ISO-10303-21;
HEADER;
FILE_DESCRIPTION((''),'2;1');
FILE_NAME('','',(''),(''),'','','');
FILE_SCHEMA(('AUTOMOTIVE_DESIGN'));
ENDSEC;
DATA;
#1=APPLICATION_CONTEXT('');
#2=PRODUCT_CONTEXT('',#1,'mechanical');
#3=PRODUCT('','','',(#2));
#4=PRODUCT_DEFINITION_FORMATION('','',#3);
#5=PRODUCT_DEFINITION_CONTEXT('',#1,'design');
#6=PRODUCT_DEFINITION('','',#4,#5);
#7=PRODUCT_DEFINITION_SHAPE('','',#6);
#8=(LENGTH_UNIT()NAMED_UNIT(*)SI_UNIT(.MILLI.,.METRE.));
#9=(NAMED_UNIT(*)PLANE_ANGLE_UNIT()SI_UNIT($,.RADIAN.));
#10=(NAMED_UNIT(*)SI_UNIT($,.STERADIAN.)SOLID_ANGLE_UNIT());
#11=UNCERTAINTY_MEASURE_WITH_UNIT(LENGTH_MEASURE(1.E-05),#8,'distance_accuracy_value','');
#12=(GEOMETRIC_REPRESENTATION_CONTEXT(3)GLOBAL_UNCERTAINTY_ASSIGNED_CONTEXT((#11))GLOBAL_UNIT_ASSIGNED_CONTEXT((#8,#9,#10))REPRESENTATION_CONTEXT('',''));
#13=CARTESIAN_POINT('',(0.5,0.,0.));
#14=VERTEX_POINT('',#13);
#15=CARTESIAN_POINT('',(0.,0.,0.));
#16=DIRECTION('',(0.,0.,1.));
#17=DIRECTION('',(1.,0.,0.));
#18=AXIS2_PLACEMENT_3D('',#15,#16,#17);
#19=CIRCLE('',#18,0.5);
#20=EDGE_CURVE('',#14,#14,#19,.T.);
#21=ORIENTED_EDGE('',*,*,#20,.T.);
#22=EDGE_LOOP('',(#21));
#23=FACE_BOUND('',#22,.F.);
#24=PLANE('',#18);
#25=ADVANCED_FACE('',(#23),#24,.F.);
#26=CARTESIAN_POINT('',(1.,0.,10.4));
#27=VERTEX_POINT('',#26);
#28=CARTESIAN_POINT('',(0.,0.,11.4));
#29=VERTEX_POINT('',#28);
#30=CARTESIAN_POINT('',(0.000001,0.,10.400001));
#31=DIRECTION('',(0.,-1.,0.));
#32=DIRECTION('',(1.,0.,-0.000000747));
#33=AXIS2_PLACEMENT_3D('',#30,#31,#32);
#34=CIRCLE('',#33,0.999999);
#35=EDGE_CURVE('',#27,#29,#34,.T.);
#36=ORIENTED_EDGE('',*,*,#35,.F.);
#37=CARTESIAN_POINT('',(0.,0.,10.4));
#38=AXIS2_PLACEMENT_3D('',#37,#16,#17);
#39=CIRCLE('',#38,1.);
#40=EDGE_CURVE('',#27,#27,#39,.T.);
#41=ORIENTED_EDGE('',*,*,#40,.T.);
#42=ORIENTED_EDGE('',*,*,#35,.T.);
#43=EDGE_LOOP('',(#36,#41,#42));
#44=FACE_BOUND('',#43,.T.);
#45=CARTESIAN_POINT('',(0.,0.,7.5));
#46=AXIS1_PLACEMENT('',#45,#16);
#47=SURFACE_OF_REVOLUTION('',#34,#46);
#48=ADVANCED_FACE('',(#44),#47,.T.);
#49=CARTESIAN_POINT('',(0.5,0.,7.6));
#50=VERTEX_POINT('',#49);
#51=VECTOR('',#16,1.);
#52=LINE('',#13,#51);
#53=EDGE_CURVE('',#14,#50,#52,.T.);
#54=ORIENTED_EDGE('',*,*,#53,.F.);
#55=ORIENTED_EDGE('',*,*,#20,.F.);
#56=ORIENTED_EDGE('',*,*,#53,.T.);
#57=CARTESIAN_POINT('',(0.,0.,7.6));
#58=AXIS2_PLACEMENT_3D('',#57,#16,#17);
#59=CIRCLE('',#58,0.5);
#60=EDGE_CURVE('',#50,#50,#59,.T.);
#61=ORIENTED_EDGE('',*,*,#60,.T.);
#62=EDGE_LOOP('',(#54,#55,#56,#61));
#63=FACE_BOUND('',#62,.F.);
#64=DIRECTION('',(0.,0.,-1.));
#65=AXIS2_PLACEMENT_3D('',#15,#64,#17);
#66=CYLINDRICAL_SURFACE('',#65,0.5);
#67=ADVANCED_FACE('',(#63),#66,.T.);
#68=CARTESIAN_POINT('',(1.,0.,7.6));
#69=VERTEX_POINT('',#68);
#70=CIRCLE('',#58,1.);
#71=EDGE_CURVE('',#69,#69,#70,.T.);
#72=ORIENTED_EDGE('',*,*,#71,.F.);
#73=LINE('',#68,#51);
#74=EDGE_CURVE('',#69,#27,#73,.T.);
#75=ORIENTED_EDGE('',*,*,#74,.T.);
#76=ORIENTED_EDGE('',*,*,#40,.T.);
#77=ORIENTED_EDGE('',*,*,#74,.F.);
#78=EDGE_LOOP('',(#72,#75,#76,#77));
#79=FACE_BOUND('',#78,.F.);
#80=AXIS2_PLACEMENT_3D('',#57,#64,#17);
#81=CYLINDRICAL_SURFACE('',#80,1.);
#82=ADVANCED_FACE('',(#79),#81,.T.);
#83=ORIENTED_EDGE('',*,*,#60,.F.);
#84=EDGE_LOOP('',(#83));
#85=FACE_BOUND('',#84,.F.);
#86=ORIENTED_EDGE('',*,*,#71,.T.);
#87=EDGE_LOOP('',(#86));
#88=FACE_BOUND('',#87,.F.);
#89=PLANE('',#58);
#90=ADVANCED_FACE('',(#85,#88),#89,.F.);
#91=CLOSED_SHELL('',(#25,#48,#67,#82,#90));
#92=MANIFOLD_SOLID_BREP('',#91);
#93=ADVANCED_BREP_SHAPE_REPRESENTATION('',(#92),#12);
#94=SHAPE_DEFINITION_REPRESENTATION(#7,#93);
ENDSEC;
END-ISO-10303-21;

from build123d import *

# Parameters (mm, degrees)
F0_R     = 0.5
F1_DEPTH = 7.6
F2_R     = 1
F2_R_2   = 0.5
F3_DEPTH = 2.8


with BuildPart() as f1:
    # F0 (on Top) → F1 (new body)
    with BuildSketch(Plane.XY):
        Circle(F0_R)
    extrude(amount=F1_DEPTH)

    # F2 (on face) → F3 (join)
    with BuildSketch(Plane.XY.offset(7.6)):
        Circle(F2_R)
        Circle(F2_R_2, mode=Mode.SUBTRACT)
        Circle(F2_R_2)
    extrude(amount=F3_DEPTH)

    # F4 (on Front) → F5 (revolve)
    with BuildSketch(Plane.XZ):
        with BuildLine():
            Line((0, 10.4), (1, 10.4))
            ThreePointArc((1, 10.4), (0.707107, 11.107107), (0, 11.4))
            Line((0, 11.4), (0, 10.4))
        make_face()
    revolve(axis=Axis((0, 0, 7.5), (0, 0, 1)))


solid = f1.part
